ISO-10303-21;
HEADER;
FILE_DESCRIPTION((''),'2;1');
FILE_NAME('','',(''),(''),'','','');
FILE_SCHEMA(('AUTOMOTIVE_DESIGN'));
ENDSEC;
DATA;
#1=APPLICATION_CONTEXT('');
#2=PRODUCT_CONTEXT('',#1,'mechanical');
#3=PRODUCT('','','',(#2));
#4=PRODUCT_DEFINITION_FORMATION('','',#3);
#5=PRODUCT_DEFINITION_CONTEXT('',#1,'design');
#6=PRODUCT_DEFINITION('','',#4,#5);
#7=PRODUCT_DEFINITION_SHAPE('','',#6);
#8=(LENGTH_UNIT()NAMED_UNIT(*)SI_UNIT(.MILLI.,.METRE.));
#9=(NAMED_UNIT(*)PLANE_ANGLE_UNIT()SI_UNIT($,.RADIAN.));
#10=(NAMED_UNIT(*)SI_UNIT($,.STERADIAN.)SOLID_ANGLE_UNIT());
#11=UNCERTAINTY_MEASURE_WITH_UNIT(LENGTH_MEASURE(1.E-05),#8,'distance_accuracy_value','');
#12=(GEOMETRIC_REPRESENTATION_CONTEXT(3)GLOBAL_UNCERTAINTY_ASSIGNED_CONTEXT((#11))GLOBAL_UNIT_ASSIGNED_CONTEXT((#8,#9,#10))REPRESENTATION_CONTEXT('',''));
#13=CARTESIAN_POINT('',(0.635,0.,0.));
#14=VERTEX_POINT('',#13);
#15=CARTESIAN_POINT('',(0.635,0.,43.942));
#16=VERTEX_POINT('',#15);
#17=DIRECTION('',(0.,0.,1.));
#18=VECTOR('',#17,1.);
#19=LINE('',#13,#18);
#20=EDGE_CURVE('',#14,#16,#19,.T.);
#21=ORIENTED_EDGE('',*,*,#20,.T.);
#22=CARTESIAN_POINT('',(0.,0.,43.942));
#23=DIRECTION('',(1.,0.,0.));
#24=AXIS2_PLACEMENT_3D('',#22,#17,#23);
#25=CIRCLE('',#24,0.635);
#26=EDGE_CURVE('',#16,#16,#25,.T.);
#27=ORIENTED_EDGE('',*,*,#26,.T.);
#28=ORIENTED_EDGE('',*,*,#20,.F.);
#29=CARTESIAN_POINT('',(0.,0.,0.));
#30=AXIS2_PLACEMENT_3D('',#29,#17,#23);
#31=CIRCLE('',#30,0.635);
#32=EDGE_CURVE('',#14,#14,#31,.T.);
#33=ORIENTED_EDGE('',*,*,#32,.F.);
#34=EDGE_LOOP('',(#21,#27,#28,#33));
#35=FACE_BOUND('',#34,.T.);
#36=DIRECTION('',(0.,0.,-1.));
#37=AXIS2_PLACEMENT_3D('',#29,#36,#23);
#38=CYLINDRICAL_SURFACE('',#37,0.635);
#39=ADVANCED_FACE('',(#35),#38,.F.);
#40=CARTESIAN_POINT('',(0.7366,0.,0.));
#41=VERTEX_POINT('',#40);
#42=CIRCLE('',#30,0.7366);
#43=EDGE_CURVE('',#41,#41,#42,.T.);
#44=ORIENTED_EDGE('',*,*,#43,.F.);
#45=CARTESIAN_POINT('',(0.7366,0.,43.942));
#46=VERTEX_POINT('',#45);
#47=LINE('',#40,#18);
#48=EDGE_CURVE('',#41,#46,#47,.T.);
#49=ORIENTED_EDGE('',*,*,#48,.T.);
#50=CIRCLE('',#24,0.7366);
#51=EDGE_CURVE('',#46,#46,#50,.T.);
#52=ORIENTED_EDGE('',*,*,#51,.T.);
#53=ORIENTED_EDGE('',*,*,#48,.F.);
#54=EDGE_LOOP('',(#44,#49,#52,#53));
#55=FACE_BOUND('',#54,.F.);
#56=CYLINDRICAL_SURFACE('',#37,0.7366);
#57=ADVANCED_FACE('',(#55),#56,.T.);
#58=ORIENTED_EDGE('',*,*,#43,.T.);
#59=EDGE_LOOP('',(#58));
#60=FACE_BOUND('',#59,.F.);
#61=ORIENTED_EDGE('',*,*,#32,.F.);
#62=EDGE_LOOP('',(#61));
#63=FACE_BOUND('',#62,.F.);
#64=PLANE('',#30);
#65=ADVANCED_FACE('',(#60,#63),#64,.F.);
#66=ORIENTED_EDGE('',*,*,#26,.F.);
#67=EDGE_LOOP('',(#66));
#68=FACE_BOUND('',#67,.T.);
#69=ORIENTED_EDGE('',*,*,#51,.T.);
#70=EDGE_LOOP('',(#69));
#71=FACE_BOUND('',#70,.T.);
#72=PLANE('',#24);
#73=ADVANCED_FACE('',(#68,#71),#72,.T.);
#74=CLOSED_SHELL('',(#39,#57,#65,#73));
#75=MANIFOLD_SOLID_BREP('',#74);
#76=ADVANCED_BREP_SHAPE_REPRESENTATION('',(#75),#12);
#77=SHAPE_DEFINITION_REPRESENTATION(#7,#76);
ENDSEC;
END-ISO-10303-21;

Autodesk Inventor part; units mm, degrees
ref_plane "YZ Plane" through (0, 0, 0) normal (1, 0, 0) x (0, 1, 0)
ref_plane "XZ Plane" through (0, 0, 0) normal (0, 1, 0) x (-1, 0, 0)
ref_plane "XY Plane" through (0, 0, 0) normal (0, 0, 1) x (1, 0, 0)
sketch "Sketch1" plane through (0, 0, 0) normal (0, 0, 1) x (1, 0, 0)
  circle A0 centre (0, 0) radius 0.7366
  circle A1 centre (0, 0) radius 0.635
  dimension "d0" = 1.4732
  dimension "d1" = 1.27
extrude "Extrusion1" add sketch "Sketch1" along normal blind 43.942
properties part number "tubing_17G"
